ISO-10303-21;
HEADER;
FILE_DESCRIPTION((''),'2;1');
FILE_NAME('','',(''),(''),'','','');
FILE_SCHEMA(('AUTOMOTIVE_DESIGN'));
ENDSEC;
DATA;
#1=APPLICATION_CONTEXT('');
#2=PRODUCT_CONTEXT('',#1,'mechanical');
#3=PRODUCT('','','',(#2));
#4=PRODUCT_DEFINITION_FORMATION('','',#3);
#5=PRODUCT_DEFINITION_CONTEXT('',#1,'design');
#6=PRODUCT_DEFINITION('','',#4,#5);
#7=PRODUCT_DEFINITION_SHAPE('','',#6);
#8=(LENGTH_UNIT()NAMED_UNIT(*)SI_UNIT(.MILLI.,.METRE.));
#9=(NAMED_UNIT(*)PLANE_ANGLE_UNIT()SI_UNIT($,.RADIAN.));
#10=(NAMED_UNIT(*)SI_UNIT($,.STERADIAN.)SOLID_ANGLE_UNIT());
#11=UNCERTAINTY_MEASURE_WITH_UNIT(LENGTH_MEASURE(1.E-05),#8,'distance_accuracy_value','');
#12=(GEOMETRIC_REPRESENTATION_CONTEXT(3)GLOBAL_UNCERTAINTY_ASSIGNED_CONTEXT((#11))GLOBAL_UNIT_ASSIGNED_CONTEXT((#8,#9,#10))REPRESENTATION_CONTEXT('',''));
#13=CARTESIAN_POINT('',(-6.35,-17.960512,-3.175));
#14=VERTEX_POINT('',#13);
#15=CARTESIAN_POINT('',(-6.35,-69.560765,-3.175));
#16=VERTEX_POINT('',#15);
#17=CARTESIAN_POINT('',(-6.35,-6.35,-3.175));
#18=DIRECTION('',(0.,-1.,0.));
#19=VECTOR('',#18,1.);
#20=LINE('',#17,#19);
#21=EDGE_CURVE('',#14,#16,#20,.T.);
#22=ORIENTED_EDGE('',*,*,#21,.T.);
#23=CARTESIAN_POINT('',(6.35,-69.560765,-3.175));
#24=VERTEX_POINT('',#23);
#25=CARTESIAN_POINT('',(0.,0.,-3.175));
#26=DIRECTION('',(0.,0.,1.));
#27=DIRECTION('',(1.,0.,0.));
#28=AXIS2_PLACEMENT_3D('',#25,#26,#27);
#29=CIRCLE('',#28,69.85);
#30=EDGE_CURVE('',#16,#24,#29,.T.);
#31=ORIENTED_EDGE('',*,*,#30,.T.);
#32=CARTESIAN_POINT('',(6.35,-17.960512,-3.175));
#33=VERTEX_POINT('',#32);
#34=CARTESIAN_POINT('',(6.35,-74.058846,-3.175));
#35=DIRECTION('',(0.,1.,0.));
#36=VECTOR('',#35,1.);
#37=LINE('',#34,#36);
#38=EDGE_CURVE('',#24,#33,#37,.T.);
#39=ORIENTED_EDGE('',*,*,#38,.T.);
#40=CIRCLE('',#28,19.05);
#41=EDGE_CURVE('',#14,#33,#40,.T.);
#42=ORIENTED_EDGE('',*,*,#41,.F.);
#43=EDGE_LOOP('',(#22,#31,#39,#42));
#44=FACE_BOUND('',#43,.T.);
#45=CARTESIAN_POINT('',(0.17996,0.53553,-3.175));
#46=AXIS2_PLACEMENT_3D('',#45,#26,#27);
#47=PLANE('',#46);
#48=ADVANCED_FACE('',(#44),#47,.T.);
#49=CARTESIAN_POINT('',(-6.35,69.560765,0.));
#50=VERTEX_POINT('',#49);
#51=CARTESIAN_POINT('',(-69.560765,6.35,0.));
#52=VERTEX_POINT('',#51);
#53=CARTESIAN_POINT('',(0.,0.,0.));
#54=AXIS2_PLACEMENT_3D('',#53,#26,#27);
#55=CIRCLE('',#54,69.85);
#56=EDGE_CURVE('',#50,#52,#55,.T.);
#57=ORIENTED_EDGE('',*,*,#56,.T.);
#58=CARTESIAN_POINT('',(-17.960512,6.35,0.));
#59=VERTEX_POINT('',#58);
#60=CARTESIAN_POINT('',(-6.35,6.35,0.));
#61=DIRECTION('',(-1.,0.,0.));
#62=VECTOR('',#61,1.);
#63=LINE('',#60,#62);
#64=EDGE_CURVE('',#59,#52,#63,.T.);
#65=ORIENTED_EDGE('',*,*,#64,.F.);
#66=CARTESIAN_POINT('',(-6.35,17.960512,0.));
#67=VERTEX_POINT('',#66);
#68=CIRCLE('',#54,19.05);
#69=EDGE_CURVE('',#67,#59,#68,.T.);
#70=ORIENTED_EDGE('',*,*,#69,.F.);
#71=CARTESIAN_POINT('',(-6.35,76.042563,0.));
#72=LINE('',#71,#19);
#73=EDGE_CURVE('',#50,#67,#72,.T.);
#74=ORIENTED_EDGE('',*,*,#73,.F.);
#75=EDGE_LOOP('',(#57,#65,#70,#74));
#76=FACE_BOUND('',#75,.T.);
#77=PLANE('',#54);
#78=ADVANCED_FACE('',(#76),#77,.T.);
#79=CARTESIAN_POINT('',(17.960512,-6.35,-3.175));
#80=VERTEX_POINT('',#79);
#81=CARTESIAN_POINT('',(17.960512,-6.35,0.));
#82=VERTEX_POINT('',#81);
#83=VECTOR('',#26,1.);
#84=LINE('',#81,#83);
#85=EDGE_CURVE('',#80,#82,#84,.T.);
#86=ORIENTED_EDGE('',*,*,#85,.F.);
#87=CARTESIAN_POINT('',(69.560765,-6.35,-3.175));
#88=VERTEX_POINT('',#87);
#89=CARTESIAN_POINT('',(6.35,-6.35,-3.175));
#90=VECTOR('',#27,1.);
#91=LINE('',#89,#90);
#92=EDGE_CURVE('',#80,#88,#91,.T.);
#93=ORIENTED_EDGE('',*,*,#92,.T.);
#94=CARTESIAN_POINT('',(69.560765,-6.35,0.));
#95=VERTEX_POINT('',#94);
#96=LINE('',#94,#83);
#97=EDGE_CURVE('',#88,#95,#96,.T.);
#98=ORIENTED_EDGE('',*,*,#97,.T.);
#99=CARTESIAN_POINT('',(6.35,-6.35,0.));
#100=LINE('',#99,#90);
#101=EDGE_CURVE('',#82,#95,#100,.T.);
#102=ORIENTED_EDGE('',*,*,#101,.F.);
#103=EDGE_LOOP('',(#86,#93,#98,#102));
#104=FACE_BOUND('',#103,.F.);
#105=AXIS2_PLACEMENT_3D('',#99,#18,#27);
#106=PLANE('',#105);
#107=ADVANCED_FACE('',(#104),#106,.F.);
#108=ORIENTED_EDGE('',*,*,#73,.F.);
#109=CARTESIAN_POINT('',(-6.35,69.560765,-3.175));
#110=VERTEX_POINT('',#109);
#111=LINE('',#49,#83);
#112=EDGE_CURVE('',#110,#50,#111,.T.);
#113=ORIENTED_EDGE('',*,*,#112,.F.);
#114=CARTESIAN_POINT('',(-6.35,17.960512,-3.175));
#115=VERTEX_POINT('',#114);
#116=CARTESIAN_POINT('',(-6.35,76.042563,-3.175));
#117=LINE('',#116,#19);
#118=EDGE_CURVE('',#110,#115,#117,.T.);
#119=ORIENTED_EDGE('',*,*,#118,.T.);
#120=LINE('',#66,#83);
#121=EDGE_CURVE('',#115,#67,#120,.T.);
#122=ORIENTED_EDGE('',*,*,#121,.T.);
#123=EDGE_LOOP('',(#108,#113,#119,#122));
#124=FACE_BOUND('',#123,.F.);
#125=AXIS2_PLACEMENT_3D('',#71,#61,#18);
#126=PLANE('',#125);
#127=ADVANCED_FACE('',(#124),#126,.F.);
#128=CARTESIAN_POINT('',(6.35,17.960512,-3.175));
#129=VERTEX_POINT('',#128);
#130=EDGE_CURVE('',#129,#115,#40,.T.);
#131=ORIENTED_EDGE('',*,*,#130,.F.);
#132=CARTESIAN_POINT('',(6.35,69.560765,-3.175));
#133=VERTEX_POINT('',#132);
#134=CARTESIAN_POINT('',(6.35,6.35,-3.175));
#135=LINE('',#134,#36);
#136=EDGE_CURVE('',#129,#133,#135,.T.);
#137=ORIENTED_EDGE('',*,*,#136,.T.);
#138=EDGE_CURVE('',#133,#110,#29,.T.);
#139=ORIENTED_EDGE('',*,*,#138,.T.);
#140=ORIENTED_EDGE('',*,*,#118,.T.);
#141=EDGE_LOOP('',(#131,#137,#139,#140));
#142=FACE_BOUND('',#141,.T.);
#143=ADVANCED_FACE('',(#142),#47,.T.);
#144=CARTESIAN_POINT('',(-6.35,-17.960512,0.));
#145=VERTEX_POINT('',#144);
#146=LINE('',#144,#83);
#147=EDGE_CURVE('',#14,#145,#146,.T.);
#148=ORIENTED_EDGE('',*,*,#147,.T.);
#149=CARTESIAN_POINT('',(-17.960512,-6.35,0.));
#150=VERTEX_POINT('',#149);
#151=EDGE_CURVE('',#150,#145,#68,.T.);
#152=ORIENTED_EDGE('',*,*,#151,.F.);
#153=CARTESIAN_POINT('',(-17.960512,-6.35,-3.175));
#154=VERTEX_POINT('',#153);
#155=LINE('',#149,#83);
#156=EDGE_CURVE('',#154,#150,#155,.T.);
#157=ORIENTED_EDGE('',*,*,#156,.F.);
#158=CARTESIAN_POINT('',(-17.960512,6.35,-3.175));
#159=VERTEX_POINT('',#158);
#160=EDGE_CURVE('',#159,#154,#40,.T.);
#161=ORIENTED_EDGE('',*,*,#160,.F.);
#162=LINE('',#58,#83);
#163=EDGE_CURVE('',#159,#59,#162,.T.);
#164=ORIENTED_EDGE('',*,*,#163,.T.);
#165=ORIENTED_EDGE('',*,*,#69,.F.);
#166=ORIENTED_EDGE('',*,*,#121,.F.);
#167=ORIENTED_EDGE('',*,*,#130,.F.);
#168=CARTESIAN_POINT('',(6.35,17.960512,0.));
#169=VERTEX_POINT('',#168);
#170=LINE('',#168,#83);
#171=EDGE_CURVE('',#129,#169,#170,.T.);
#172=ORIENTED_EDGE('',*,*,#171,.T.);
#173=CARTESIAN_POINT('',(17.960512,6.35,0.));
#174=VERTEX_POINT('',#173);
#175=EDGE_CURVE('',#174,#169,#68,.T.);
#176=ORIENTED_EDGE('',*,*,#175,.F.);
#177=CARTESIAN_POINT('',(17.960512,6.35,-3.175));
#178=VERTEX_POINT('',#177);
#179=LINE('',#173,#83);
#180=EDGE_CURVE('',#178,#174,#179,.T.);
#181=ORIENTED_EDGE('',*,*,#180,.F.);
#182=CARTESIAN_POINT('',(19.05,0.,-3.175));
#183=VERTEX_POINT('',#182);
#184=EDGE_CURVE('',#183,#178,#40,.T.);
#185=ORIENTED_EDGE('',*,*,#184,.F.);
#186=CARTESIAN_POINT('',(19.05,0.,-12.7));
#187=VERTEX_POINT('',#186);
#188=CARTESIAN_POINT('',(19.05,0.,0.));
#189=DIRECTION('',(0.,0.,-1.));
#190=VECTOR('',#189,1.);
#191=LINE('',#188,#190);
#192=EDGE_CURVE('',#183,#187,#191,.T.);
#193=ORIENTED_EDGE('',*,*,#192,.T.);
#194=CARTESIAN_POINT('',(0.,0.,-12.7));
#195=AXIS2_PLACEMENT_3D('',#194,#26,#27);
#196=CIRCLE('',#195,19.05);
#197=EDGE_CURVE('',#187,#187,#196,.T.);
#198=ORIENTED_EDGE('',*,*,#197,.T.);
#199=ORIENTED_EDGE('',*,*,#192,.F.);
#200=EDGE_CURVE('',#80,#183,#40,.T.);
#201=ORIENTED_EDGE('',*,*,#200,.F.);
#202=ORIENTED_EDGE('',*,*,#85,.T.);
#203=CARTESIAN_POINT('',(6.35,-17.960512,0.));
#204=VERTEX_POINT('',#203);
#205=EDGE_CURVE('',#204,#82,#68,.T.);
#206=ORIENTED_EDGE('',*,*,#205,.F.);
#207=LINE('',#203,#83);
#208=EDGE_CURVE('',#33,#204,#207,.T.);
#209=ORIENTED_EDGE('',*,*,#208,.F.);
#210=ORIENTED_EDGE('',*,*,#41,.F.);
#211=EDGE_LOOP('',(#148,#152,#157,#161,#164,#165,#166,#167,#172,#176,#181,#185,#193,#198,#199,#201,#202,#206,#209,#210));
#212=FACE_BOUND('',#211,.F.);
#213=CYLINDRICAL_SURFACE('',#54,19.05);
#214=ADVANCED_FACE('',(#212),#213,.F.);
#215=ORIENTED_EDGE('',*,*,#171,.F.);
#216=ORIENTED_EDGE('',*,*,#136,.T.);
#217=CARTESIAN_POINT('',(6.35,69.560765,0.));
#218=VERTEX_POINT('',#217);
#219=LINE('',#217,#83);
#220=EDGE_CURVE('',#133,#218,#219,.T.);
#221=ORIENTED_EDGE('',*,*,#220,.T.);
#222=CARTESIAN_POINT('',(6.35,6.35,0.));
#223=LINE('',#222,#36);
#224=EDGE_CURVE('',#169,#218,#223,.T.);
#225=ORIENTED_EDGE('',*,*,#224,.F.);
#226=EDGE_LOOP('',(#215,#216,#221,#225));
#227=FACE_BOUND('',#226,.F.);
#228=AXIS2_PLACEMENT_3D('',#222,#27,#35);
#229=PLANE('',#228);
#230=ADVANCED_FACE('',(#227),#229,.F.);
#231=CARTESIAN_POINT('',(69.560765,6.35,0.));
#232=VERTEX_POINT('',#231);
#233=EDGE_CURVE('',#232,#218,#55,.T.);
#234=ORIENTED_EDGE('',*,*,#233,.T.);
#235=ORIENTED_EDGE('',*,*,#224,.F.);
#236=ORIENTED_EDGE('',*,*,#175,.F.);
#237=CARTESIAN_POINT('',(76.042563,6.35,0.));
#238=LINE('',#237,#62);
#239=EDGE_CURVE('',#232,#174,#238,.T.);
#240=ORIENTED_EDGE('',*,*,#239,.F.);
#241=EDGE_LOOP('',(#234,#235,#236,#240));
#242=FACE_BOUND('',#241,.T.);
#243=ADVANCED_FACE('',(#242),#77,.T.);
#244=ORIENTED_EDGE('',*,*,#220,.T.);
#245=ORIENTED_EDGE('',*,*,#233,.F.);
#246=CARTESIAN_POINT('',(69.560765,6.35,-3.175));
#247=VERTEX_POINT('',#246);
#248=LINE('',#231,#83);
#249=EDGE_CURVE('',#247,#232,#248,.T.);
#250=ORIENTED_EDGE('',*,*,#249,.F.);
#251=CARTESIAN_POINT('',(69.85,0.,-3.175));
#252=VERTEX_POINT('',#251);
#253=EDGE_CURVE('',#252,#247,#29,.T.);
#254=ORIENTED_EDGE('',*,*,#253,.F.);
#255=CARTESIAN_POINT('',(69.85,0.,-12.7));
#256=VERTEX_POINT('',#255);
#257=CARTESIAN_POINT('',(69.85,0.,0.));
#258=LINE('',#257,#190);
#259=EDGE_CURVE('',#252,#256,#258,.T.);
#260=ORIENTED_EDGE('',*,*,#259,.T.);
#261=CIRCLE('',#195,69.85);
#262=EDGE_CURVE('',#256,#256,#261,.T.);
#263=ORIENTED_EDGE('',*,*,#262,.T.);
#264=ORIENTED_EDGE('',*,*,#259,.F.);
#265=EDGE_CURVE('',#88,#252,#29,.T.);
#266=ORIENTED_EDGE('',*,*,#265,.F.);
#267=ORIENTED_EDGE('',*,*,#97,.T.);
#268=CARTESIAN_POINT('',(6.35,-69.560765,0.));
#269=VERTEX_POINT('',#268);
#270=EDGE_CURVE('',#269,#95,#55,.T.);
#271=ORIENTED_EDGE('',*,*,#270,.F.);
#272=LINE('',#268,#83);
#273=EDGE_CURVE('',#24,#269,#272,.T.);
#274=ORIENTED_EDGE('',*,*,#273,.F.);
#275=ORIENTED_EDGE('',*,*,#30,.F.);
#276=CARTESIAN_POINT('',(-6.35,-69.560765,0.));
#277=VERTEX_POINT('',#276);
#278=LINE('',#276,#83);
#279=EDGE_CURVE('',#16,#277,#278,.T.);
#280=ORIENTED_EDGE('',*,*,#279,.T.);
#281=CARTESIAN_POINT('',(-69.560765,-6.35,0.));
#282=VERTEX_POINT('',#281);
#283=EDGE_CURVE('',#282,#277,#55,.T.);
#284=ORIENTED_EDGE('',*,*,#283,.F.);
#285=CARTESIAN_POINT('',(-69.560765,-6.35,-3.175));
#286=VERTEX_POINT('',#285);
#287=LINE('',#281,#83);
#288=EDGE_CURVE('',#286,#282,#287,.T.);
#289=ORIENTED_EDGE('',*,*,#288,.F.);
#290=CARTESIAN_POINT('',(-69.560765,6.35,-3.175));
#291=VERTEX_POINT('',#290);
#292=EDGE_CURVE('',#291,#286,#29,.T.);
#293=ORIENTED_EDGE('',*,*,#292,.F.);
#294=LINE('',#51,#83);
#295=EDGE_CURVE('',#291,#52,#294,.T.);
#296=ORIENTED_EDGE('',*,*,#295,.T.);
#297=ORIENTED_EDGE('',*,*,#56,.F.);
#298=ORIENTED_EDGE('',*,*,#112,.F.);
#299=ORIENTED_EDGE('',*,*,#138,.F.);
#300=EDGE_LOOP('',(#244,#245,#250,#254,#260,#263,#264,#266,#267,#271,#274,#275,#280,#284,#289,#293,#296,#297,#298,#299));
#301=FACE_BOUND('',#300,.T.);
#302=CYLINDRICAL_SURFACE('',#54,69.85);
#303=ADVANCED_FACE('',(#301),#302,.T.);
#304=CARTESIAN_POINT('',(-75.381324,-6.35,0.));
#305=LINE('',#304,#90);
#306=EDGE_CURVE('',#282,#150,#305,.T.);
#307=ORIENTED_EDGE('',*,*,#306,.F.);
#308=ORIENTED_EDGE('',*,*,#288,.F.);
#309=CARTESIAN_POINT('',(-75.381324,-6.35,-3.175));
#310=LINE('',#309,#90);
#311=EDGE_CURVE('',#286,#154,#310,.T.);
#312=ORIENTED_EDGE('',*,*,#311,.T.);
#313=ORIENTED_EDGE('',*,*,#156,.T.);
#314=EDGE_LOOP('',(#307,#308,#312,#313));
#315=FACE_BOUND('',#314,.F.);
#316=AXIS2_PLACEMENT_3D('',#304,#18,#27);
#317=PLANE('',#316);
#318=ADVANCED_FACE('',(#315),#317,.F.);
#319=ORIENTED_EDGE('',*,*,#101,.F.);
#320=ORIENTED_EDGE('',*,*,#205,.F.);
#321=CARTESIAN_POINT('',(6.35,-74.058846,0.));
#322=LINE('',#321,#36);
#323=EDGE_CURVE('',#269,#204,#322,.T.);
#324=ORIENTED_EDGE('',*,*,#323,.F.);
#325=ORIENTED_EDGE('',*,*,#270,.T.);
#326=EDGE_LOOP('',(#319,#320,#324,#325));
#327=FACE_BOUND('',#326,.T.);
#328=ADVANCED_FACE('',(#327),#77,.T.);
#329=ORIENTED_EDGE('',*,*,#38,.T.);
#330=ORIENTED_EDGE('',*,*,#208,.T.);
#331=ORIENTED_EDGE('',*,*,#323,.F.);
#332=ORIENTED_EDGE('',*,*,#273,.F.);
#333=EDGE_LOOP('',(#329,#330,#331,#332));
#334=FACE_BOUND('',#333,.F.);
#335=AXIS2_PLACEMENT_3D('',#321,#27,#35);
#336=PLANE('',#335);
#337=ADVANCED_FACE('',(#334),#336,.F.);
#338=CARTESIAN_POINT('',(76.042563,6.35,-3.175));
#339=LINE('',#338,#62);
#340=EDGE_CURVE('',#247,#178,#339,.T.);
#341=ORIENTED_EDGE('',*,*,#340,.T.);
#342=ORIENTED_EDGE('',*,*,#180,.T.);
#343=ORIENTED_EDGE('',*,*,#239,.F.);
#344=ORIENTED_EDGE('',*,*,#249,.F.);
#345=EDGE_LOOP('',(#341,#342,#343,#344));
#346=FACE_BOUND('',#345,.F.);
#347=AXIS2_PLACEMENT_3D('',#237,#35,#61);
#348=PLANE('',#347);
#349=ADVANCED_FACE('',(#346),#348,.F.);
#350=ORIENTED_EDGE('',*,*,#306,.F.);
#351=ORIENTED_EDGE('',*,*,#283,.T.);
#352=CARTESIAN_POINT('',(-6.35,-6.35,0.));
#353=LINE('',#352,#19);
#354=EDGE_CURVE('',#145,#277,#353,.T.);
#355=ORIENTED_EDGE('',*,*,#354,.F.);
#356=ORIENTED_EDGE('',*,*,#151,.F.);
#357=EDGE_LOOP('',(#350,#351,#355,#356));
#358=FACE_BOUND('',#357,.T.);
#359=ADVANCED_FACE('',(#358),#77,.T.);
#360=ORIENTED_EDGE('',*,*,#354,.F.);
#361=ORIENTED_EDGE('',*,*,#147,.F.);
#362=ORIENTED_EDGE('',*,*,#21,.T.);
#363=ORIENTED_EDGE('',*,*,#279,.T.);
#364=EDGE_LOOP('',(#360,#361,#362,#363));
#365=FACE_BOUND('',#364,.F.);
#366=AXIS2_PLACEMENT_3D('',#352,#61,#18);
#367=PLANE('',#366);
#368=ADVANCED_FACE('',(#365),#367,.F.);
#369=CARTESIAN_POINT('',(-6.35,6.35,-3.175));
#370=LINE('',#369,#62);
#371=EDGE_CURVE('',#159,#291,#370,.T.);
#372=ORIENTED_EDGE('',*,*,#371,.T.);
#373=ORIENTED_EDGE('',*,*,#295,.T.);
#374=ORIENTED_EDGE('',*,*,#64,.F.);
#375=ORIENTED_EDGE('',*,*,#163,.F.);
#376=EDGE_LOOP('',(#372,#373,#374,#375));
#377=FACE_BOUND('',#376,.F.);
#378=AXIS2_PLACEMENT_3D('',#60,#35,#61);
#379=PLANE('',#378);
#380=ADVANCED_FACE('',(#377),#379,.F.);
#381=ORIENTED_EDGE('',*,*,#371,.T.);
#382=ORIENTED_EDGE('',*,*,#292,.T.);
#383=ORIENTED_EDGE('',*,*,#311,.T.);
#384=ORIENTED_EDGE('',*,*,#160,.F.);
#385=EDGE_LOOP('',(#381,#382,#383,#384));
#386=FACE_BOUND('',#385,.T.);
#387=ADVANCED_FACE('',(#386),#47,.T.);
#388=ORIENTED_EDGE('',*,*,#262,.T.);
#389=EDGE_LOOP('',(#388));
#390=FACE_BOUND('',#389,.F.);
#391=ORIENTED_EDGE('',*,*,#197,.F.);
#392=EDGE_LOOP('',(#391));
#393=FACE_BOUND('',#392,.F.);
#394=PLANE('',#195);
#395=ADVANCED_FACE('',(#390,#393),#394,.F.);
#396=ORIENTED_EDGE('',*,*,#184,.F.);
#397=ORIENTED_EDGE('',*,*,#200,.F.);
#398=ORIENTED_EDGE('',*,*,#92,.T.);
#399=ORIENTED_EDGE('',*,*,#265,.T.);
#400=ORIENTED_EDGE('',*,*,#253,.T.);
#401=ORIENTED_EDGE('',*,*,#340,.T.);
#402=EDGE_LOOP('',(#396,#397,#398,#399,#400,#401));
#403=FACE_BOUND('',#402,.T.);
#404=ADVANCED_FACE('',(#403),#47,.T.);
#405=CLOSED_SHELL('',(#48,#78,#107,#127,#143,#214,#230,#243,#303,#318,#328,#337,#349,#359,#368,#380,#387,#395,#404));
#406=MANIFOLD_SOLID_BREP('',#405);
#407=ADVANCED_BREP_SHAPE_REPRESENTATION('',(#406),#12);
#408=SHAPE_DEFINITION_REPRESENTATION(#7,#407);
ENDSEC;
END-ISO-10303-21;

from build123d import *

# Parameters (mm, degrees)
F0_R     = 69.85
F1_DEPTH = 12.7
F3_DEPTH = 3.175
F4_R     = 19.05
F5_DEPTH = 12.701


with BuildPart() as f1:
    # F0 (on Top) → F1 (new body)
    with BuildSketch(Plane.XY):
        Circle(F0_R)
    extrude(amount=-F1_DEPTH)

    # F2 (on Top) → F3 (cut)
    with BuildSketch(Plane.XY):
        Polygon((6.35, 76.042563), (-6.35, 76.042563), (-6.35, 6.35), (-75.381324, 6.35), (-75.381324, -6.35), (-6.35, -6.35), (-6.35, -74.058846), (6.35, -74.058846), (6.35, -6.35), (76.042563, -6.35), (76.042563, 6.35), (6.35, 6.35), align=None)
    extrude(amount=-F3_DEPTH, mode=Mode.SUBTRACT)

    # F4 (on Top) → F5 (cut, through all)
    with BuildSketch(Plane.XY):
        Circle(F4_R)
    extrude(amount=-F5_DEPTH, mode=Mode.SUBTRACT)


solid = f1.part
